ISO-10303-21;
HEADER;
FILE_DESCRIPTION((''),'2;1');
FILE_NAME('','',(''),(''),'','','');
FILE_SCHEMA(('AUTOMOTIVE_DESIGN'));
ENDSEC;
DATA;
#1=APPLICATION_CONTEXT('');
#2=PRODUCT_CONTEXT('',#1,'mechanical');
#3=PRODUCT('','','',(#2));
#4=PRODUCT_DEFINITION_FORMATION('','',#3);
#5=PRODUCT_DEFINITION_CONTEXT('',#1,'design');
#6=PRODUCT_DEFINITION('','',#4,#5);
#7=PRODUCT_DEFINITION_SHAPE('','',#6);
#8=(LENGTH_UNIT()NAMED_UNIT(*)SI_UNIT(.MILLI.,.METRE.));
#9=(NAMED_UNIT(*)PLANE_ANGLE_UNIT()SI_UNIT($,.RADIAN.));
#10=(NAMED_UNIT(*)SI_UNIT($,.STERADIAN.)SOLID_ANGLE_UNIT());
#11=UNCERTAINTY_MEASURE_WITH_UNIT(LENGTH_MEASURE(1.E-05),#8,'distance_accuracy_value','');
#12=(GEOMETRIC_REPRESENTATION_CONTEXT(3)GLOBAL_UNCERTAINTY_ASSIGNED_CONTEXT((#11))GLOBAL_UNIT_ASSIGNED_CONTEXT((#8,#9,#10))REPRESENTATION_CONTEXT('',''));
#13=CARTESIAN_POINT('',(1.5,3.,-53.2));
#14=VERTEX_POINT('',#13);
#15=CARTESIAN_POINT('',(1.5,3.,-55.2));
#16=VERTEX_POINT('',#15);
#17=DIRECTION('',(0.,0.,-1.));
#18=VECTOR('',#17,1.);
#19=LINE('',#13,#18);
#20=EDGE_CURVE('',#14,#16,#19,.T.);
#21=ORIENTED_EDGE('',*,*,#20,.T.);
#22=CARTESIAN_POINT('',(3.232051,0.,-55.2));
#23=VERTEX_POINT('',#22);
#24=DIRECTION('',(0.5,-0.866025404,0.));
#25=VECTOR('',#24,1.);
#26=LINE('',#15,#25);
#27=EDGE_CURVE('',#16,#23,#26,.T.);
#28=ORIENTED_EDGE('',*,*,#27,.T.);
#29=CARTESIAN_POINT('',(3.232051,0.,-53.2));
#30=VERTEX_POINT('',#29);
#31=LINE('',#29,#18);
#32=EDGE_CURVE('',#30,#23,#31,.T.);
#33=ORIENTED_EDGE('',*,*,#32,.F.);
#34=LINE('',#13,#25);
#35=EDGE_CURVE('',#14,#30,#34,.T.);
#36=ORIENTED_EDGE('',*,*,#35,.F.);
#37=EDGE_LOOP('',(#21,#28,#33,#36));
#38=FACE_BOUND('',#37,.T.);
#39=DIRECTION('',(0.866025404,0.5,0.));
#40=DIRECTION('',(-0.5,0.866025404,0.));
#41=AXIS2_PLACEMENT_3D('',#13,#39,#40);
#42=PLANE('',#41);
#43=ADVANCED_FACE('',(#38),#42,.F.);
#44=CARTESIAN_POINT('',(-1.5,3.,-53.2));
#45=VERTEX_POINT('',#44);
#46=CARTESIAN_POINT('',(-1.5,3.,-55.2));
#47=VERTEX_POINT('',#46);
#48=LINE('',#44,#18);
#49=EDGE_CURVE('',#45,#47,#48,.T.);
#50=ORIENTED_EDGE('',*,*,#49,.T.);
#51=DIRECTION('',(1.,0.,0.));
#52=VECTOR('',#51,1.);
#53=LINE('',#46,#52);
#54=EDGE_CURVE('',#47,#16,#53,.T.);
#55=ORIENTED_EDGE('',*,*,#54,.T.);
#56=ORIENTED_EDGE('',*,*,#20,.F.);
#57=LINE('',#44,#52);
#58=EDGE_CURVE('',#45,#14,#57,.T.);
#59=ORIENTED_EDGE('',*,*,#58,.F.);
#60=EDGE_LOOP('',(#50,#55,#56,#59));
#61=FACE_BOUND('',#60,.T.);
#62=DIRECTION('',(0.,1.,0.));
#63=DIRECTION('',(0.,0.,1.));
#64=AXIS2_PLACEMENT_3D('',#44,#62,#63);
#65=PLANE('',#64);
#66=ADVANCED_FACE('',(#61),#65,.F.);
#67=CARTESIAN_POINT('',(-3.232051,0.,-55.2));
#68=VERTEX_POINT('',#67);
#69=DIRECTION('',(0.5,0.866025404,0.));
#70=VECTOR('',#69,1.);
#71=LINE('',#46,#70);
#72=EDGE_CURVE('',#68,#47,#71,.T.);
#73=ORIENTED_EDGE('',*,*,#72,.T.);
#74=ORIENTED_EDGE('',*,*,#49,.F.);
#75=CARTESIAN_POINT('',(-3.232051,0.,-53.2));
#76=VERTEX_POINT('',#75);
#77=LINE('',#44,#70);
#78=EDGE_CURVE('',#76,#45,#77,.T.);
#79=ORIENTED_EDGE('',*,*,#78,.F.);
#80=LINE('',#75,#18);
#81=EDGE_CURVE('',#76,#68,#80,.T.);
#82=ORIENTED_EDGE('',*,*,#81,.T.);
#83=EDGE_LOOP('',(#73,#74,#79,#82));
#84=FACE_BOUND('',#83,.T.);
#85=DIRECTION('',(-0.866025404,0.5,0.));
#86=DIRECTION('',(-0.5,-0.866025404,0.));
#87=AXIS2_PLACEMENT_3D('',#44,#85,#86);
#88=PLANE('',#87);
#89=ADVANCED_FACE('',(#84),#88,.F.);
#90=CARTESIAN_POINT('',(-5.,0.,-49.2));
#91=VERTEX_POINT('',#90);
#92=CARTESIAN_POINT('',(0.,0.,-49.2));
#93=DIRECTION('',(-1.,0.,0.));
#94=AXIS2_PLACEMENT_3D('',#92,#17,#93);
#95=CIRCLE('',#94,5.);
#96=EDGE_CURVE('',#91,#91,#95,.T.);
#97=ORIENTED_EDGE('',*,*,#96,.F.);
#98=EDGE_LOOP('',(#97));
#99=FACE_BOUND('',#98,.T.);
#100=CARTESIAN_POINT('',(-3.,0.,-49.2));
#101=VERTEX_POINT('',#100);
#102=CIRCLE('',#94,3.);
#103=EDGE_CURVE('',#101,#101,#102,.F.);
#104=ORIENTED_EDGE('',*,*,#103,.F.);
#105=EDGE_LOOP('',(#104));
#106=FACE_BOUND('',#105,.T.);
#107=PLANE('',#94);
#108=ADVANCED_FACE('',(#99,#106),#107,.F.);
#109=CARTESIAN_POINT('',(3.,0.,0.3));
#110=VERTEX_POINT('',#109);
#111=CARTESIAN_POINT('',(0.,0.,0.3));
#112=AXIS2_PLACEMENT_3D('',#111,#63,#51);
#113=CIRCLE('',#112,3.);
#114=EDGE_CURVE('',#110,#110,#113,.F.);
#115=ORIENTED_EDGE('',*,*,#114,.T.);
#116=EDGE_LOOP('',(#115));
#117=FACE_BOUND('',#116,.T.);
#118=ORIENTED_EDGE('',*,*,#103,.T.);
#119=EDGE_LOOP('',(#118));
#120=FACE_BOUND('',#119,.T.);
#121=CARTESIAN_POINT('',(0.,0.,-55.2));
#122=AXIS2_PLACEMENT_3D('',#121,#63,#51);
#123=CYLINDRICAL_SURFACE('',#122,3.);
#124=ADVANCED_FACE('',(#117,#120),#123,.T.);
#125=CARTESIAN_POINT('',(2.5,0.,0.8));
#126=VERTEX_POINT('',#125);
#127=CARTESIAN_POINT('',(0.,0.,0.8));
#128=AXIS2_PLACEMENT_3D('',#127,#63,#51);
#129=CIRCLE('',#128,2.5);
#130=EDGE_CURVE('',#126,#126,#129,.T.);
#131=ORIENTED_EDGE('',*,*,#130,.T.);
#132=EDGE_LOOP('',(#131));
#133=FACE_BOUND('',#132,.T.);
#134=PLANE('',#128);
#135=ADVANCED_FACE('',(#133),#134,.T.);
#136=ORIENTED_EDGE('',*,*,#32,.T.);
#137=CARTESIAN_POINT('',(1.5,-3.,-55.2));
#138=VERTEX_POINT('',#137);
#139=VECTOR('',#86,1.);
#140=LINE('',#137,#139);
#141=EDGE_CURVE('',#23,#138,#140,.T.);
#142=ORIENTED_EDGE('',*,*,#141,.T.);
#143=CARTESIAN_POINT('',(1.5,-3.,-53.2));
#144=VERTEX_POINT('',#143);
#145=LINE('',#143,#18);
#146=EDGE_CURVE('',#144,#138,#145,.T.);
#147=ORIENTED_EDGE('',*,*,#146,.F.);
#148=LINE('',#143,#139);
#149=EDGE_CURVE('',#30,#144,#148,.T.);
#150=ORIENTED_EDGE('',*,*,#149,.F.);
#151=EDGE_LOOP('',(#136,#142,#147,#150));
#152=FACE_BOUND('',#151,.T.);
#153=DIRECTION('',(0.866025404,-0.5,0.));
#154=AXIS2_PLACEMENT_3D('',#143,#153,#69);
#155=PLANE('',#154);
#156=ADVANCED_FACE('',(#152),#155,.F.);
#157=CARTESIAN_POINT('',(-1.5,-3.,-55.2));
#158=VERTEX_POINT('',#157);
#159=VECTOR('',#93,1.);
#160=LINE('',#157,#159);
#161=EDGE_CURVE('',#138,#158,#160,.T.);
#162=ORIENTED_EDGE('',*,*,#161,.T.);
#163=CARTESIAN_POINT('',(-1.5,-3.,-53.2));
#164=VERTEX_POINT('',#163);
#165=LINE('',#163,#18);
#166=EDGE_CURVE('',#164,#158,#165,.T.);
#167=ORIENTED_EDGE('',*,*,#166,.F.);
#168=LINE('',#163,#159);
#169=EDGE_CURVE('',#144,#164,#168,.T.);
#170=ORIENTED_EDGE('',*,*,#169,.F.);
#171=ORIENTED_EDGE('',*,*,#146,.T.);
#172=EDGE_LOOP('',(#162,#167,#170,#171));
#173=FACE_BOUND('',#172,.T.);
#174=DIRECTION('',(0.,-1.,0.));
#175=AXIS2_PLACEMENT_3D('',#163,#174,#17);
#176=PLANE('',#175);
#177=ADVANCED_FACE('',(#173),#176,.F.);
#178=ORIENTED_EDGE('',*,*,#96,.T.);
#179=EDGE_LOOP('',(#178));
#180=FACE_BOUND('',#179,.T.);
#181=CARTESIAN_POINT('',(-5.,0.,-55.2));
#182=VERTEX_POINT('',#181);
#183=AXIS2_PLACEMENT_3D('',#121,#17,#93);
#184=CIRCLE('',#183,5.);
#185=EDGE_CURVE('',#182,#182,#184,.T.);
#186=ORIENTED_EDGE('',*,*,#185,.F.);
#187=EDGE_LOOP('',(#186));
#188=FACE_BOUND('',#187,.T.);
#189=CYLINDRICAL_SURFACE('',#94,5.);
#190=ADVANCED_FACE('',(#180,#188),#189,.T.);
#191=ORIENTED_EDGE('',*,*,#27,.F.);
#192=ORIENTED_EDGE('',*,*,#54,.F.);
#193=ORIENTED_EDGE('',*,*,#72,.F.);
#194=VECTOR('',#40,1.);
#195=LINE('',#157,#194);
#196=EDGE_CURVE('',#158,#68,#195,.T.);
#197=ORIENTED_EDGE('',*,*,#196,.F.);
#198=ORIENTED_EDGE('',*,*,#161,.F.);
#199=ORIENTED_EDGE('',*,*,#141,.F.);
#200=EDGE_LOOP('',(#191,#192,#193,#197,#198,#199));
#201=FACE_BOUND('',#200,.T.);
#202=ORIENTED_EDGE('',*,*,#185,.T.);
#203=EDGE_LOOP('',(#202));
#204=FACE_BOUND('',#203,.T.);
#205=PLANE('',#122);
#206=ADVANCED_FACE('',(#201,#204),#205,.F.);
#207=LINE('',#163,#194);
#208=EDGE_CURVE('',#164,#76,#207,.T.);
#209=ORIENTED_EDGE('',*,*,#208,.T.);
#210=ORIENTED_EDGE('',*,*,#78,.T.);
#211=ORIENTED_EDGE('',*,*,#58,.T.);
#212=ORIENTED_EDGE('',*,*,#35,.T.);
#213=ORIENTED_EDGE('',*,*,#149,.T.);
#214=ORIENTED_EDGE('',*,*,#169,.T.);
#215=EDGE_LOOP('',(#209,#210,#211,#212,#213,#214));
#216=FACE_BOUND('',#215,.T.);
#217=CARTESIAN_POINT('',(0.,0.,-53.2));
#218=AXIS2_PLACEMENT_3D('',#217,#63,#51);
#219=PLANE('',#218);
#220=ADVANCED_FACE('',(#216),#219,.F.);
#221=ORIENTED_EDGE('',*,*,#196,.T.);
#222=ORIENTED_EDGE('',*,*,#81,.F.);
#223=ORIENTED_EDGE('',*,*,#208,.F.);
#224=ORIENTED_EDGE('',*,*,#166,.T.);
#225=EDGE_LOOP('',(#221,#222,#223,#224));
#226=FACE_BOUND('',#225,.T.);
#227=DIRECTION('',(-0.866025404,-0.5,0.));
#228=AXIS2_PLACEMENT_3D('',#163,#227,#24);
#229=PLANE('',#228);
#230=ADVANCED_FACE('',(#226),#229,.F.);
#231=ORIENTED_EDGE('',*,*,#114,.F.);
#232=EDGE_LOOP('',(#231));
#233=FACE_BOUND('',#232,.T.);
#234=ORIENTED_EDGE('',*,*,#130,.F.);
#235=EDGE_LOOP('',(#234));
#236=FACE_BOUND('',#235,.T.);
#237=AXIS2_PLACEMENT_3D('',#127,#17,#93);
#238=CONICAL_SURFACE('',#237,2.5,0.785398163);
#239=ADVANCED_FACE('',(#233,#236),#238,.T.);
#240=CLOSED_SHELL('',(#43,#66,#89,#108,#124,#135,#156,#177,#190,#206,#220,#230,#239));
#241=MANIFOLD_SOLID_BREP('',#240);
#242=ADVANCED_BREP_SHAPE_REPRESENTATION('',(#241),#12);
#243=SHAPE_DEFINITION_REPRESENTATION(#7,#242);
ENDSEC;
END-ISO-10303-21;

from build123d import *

# Parameters (mm, degrees)
ESTRUSIONE_ESTRUSIONE1_START      = -11.2
SCHIZZO1_R                        = 3
ESTRUSIONE_ESTRUSIONE1_DEPTH      = 12
ESTRUSIONE_ESTRUSIONE1_DEPTH_BACK = 44
SMUSSO1_SIZE                      = 0.5
SCHIZZO4_R                        = 5
ESTRUSIONE_ESTRUSIONE2_DEPTH      = 6
TAGLIO_ESTRUSIONE1_DEPTH          = 2


with BuildPart() as part:
    # Schizzo1 → Estrusione-Estrusione1 (new body, two sides)
    with BuildSketch(Plane.XY.offset(ESTRUSIONE_ESTRUSIONE1_START)) as estrusione_estrusione1_sk:
        Circle(SCHIZZO1_R)
    extrude(amount=ESTRUSIONE_ESTRUSIONE1_DEPTH)
    extrude(estrusione_estrusione1_sk.sketch, amount=-ESTRUSIONE_ESTRUSIONE1_DEPTH_BACK)

    # Smusso1
    smusso1_edges = [part.edges().sort_by_distance(p)[0] for p in [
        (-3, 0, 0.8),
        (-3, 0, -55.2),
    ]]
    chamfer(smusso1_edges, length=SMUSSO1_SIZE)

    # Schizzo4 → Estrusione-Estrusione2 (add)
    with BuildSketch(Plane(origin=(0, 0, -55.2), x_dir=(-1, 0, 0), z_dir=(0, 0, -1))):
        Circle(SCHIZZO4_R)
    extrude(amount=-ESTRUSIONE_ESTRUSIONE2_DEPTH)

    # Schizzo6 → Taglio-Estrusione1 (cut)
    with BuildSketch(Plane(origin=(0, 0, -55.2), x_dir=(-1, 0, 0), z_dir=(0, 0, -1))):
        Polygon((1.5, 3), (-1.5, 3), (-3.232050808, 0), (-1.5, -3), (1.5, -3), (3.232050808, 0), align=None)
    extrude(amount=-TAGLIO_ESTRUSIONE1_DEPTH, mode=Mode.SUBTRACT)


solid = part.part
